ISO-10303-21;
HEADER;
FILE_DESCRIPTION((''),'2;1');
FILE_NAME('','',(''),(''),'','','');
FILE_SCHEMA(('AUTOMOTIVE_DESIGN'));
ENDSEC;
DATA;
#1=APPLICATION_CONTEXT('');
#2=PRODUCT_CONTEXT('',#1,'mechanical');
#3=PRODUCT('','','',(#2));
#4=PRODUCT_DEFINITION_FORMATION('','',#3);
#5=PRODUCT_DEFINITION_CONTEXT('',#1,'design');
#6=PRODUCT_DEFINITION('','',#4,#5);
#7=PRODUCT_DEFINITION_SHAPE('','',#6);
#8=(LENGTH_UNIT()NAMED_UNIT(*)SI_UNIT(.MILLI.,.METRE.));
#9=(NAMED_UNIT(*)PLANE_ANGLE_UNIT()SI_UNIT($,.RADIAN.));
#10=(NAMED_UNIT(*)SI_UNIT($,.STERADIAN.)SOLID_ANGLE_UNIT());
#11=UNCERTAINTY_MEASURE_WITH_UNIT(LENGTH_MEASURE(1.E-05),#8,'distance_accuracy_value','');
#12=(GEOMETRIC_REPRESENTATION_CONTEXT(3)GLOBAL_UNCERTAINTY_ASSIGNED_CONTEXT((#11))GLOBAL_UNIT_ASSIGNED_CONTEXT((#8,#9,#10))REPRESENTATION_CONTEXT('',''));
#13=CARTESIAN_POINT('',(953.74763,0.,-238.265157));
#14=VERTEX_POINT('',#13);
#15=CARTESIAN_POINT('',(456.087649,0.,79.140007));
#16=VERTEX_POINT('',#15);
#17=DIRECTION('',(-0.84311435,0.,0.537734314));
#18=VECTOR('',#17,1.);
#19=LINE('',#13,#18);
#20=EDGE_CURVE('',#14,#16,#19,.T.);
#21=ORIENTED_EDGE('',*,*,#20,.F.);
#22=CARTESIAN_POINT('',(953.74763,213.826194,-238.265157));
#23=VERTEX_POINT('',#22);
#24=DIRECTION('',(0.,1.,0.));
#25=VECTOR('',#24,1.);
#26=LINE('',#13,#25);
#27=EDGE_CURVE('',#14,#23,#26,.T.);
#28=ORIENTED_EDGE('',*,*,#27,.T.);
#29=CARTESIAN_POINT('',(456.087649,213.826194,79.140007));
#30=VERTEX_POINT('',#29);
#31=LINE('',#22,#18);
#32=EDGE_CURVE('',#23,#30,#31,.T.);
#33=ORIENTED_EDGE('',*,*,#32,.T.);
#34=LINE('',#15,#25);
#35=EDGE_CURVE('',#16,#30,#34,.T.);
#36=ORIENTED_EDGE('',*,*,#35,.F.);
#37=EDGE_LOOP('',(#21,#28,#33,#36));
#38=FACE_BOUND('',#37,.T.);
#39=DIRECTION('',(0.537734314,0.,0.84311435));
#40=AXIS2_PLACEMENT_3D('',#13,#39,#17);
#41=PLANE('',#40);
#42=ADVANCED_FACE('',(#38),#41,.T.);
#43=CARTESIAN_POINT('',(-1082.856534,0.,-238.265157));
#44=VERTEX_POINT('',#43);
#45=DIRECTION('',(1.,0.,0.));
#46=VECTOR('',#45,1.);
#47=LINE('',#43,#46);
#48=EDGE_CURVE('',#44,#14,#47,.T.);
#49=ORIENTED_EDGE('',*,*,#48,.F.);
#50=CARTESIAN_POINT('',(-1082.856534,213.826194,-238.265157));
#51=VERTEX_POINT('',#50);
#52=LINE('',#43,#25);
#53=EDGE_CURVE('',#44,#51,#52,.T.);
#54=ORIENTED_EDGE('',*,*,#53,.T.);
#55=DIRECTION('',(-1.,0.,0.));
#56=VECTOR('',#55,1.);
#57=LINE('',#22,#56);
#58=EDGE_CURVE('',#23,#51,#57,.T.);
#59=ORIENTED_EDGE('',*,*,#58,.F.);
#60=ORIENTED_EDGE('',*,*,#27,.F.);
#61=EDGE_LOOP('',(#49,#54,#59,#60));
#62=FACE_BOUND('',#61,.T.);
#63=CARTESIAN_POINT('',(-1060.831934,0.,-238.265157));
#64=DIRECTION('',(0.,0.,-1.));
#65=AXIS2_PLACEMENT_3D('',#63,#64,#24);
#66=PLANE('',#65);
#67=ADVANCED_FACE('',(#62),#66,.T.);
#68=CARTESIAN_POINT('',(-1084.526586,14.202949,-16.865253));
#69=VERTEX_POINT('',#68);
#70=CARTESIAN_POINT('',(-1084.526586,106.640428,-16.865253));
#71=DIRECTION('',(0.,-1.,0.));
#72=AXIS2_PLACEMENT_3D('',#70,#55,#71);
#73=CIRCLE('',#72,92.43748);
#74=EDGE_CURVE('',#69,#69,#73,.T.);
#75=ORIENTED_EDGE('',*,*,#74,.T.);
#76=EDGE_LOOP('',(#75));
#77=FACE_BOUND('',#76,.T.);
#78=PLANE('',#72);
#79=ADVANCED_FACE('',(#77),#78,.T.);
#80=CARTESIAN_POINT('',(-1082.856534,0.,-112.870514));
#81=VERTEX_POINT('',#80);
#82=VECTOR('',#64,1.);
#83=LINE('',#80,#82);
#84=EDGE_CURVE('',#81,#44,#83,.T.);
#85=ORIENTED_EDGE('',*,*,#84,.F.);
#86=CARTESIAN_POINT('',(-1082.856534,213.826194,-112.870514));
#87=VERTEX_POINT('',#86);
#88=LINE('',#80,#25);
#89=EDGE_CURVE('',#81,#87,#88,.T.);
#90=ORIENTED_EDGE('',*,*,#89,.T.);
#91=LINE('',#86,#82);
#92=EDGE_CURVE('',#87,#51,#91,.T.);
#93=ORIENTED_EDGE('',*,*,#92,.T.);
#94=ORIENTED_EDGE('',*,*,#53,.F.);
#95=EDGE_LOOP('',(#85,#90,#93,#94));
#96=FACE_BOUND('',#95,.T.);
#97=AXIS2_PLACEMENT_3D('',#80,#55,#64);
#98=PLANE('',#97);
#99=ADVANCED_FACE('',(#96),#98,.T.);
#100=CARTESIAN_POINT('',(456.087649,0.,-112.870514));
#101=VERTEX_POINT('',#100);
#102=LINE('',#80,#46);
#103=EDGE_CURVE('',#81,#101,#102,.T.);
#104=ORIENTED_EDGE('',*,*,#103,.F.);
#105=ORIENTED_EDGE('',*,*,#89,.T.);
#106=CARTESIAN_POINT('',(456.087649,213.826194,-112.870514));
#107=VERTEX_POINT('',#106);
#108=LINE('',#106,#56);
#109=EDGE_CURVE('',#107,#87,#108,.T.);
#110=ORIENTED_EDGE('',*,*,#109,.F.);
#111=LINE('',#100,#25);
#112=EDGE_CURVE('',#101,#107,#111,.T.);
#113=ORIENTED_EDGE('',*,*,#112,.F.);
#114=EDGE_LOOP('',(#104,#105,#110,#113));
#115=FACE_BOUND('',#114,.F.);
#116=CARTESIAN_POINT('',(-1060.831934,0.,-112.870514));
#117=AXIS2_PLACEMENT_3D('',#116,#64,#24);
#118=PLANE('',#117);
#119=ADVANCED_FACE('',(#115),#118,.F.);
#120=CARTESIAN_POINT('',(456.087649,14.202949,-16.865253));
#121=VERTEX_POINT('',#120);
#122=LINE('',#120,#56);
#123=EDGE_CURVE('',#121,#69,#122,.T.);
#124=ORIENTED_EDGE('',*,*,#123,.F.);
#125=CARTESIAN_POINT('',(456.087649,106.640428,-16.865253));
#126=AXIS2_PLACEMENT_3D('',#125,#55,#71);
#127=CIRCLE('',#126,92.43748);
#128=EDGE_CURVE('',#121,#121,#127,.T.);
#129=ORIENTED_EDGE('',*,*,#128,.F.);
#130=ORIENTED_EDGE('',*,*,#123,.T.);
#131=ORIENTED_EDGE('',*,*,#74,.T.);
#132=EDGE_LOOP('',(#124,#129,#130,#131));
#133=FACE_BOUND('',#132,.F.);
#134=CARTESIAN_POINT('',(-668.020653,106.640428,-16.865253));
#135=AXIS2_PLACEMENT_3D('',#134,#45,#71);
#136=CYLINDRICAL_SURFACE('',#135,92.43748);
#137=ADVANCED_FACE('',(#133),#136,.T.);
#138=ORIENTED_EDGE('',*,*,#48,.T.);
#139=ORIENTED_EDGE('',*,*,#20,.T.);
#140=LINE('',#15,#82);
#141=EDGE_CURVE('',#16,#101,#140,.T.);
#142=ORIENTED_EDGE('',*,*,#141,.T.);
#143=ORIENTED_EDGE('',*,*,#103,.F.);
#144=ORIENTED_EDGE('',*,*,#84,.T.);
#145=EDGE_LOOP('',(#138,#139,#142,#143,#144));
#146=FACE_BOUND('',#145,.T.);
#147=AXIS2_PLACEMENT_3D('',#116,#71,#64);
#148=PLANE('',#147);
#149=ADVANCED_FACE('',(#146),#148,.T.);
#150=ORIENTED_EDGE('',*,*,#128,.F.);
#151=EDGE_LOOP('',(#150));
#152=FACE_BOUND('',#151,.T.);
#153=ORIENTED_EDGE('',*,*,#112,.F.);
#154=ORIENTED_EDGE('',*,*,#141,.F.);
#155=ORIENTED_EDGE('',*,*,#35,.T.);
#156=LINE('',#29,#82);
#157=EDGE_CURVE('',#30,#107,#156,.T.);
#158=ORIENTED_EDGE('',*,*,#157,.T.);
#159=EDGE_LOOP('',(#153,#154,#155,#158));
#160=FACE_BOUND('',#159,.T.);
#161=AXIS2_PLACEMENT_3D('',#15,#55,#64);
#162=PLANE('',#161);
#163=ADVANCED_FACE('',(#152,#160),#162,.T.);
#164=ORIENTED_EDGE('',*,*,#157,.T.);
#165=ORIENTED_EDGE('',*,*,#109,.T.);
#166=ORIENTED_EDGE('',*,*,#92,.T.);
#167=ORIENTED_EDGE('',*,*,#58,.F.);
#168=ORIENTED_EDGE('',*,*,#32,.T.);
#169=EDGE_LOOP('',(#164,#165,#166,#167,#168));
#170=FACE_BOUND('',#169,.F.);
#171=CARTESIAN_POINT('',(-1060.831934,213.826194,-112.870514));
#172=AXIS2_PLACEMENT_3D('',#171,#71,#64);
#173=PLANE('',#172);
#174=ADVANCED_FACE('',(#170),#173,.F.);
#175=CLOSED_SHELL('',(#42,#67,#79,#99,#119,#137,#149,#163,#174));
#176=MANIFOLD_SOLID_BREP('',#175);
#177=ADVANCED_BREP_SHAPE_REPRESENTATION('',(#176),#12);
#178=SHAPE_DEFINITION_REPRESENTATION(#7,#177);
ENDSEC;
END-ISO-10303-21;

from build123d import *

# Parameters (mm, degrees)
F1_DEPTH = 213.8261944056
F2_R     = 92.4374796953
F3_DEPTH = 834.0718746185
F4_DEPTH = 265.7555639744
F5_DEPTH = 264.6364271641
F6_DEPTH = 25.4
F7_DEPTH = 416.5059328079
F8_DEPTH = 22.0245998353


with BuildPart() as f1:
    # F0 (on Front) → F1 (new body)
    with BuildSketch(Plane.XZ):
        Polygon((-378.5704374313, -238.2651567459), (953.7476301193, -238.2651567459), (456.0876488686, 79.1400074959), (456.0876488686, -112.8705143929), (-378.5704374313, -112.8705143929), align=None)
    extrude(amount=-F1_DEPTH)

    # F2 (on face) → F3 (join)
    with BuildSketch(Plane(origin=(456.0876488686, 0, 0), x_dir=(0, -1, 0), z_dir=(-1, 0, 0))):
        with Locations((-106.6404283047, -16.8652534485)):
            Circle(F2_R)
    extrude(amount=F3_DEPTH)

    # F4 (add): a face of the model
    f4_faces = [f1.faces().sort_by_distance(p)[0] for p in [
        (-378.5704374313, 106.9130972028, -175.5678355694),
    ]]
    extrude(f4_faces, amount=F4_DEPTH)

    # F5 (add): a face of the model
    f5_faces = [f1.faces().sort_by_distance(p)[0] for p in [
        (-377.98422575, 106.6404283047, -16.8652534485),
    ]]
    extrude(f5_faces, amount=F5_DEPTH)

    # F6 (add): a face of the model
    f6_faces = [f1.faces().sort_by_distance(p)[0] for p in [
        (-642.620652914, 106.6404283047, -16.8652534485),
    ]]
    extrude(f6_faces, amount=F6_DEPTH)

    # F7 (add): faces of the model
    f7_faces = [f1.faces().sort_by_distance(p)[0] for p in [
        (-668.020652914, 106.6404283047, -16.8652534485),
        (-644.3260014057, 106.9130972028, -175.5678355694),
    ]]
    extrude(f7_faces, amount=F7_DEPTH)

    # F8 (add): a face of the model
    f8_faces = [f1.faces().sort_by_distance(p)[0] for p in [
        (-1060.8319342136, 106.9130972028, -175.5678355694),
    ]]
    extrude(f8_faces, amount=F8_DEPTH)


solid = f1.part
